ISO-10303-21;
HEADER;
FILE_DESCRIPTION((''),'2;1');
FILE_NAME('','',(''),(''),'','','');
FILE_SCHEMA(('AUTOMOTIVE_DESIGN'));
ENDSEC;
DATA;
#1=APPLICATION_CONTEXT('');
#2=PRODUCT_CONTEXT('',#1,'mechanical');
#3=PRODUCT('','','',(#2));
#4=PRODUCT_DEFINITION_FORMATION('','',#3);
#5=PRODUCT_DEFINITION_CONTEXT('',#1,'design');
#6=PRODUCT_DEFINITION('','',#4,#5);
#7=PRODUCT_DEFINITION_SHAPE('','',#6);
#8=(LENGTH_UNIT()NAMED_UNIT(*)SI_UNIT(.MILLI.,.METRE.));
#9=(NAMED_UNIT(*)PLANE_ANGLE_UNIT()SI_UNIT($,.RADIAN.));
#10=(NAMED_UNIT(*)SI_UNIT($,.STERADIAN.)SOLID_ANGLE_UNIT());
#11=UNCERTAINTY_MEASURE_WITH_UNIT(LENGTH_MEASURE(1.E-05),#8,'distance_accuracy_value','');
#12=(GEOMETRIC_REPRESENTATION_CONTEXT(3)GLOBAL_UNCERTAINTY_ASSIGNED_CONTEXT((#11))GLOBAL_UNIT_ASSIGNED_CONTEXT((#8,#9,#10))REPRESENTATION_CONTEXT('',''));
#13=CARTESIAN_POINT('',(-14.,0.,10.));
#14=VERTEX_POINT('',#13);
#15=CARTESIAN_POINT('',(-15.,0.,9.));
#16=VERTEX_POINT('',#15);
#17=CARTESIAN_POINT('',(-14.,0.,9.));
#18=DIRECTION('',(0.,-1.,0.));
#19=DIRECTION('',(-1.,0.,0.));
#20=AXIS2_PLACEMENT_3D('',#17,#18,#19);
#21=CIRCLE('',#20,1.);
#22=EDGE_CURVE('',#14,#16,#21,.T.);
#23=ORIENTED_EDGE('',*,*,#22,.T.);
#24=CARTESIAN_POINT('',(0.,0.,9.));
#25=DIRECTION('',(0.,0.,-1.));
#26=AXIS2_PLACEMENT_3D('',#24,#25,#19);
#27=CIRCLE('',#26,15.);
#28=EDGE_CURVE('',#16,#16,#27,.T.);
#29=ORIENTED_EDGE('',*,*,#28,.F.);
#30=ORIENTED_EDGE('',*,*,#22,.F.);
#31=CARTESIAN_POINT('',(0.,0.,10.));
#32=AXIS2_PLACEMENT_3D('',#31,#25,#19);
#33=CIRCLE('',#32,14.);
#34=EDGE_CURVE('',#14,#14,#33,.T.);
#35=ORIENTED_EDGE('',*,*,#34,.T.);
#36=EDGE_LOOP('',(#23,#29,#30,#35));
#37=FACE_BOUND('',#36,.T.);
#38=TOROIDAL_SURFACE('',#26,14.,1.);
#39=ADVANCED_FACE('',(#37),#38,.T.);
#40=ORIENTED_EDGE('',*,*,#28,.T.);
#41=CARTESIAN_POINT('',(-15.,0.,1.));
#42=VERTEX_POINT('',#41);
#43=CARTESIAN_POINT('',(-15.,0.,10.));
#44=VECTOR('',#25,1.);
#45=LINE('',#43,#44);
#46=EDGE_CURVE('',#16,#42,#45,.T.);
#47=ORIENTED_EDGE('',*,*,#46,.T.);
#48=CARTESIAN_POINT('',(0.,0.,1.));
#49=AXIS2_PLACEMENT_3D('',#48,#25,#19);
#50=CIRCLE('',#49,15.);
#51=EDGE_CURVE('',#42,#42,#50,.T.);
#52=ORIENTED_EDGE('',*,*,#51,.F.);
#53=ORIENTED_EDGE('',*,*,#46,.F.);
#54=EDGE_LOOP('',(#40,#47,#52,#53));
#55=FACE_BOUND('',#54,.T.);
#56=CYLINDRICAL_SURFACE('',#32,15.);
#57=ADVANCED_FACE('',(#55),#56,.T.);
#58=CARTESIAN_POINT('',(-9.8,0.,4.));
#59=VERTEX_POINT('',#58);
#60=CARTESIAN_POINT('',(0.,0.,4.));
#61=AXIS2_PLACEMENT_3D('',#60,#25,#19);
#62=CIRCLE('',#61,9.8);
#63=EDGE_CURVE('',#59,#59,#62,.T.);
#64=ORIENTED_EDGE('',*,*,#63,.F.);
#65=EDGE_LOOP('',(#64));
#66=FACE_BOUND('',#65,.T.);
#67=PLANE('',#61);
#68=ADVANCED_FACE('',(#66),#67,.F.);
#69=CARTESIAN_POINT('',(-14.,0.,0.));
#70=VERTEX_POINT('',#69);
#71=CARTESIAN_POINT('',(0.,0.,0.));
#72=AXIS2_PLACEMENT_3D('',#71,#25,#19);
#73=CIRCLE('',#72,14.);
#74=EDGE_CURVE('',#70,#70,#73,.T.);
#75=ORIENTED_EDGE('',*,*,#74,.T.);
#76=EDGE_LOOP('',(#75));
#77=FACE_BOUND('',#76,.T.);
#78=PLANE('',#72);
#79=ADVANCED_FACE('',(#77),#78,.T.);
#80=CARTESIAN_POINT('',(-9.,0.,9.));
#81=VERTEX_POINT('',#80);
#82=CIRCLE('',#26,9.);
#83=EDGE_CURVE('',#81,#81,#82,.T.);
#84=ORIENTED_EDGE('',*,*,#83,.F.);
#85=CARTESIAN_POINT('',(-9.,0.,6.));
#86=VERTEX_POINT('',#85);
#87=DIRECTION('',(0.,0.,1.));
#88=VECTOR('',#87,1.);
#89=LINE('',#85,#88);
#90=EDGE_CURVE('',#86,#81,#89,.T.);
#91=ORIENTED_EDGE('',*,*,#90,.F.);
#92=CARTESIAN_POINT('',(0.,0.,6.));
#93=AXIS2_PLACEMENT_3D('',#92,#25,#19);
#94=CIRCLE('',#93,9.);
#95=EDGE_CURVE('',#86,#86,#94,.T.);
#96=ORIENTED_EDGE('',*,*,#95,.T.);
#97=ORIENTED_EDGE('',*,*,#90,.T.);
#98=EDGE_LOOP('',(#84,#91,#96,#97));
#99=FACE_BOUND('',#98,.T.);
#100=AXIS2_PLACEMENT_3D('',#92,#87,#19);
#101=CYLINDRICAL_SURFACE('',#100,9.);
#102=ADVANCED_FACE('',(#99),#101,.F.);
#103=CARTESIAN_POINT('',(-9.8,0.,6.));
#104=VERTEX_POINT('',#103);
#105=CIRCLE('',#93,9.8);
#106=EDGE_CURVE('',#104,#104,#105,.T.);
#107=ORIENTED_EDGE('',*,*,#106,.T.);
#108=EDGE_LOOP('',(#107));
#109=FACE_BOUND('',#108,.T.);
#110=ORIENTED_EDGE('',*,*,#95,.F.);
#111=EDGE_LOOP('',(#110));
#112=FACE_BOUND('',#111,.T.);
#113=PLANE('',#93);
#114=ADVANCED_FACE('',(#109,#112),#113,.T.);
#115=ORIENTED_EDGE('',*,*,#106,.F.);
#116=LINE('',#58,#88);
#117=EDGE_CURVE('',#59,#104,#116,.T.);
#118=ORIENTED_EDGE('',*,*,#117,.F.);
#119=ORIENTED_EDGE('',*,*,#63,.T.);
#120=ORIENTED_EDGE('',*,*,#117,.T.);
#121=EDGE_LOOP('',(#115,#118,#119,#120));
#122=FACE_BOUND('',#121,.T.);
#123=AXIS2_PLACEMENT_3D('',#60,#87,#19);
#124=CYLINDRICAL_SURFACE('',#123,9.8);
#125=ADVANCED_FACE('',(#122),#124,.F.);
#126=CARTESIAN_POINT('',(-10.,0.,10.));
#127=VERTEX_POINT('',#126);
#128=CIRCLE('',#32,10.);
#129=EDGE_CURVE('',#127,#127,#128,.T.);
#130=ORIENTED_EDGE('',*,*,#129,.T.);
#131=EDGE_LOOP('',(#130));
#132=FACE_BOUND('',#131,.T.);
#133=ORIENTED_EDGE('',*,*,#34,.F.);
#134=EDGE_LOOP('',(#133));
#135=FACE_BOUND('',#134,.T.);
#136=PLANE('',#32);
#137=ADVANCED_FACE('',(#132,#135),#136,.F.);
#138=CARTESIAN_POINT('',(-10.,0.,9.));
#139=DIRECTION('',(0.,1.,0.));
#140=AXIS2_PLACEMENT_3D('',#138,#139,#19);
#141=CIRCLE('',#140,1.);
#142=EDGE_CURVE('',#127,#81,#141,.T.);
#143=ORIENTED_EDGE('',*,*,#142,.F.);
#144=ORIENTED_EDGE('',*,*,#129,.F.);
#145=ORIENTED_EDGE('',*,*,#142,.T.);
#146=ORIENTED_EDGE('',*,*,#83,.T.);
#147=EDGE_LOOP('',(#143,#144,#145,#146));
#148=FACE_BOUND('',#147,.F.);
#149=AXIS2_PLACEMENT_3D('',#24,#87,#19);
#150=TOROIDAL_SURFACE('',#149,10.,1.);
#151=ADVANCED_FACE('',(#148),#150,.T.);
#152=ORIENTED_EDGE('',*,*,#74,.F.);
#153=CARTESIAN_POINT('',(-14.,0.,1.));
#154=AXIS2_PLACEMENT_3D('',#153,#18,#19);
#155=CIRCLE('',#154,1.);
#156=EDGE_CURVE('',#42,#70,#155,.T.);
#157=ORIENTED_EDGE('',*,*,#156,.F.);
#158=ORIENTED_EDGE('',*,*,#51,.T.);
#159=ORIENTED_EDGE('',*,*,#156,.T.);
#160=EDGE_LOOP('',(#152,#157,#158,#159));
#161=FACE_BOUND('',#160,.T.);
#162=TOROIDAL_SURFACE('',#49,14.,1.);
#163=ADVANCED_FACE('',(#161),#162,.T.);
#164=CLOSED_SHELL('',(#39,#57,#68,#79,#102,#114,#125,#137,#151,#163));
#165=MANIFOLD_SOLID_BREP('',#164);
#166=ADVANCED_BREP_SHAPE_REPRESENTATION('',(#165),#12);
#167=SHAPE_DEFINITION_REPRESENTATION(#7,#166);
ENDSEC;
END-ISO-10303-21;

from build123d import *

# Parameters (mm, degrees)
F2_R = 1
F3_R = 1
F4_R = 1


with BuildPart() as f1:
    # F0 (on Front) → F1 (revolve)
    with BuildSketch(Plane.XZ):
        Polygon((-15, 0), (0, 0), (0, 4), (-9.8, 4), (-9.8, 6), (-9, 6), (-9, 10), (-15, 10), align=None)
    revolve(axis=Axis((0, 0, 2), (0, 0, -1)))

    # F2
    f2_edges = [f1.edges().sort_by_distance(p)[0] for p in [
        (15, 0, 10),
    ]]
    fillet(f2_edges, radius=F2_R)

    # F3
    f3_edges = [f1.edges().sort_by_distance(p)[0] for p in [
        (9, 0, 10),
    ]]
    fillet(f3_edges, radius=F3_R)

    # F4
    f4_edges = [f1.edges().sort_by_distance(p)[0] for p in [
        (15, 0, 0),
    ]]
    fillet(f4_edges, radius=F4_R)


solid = f1.part
